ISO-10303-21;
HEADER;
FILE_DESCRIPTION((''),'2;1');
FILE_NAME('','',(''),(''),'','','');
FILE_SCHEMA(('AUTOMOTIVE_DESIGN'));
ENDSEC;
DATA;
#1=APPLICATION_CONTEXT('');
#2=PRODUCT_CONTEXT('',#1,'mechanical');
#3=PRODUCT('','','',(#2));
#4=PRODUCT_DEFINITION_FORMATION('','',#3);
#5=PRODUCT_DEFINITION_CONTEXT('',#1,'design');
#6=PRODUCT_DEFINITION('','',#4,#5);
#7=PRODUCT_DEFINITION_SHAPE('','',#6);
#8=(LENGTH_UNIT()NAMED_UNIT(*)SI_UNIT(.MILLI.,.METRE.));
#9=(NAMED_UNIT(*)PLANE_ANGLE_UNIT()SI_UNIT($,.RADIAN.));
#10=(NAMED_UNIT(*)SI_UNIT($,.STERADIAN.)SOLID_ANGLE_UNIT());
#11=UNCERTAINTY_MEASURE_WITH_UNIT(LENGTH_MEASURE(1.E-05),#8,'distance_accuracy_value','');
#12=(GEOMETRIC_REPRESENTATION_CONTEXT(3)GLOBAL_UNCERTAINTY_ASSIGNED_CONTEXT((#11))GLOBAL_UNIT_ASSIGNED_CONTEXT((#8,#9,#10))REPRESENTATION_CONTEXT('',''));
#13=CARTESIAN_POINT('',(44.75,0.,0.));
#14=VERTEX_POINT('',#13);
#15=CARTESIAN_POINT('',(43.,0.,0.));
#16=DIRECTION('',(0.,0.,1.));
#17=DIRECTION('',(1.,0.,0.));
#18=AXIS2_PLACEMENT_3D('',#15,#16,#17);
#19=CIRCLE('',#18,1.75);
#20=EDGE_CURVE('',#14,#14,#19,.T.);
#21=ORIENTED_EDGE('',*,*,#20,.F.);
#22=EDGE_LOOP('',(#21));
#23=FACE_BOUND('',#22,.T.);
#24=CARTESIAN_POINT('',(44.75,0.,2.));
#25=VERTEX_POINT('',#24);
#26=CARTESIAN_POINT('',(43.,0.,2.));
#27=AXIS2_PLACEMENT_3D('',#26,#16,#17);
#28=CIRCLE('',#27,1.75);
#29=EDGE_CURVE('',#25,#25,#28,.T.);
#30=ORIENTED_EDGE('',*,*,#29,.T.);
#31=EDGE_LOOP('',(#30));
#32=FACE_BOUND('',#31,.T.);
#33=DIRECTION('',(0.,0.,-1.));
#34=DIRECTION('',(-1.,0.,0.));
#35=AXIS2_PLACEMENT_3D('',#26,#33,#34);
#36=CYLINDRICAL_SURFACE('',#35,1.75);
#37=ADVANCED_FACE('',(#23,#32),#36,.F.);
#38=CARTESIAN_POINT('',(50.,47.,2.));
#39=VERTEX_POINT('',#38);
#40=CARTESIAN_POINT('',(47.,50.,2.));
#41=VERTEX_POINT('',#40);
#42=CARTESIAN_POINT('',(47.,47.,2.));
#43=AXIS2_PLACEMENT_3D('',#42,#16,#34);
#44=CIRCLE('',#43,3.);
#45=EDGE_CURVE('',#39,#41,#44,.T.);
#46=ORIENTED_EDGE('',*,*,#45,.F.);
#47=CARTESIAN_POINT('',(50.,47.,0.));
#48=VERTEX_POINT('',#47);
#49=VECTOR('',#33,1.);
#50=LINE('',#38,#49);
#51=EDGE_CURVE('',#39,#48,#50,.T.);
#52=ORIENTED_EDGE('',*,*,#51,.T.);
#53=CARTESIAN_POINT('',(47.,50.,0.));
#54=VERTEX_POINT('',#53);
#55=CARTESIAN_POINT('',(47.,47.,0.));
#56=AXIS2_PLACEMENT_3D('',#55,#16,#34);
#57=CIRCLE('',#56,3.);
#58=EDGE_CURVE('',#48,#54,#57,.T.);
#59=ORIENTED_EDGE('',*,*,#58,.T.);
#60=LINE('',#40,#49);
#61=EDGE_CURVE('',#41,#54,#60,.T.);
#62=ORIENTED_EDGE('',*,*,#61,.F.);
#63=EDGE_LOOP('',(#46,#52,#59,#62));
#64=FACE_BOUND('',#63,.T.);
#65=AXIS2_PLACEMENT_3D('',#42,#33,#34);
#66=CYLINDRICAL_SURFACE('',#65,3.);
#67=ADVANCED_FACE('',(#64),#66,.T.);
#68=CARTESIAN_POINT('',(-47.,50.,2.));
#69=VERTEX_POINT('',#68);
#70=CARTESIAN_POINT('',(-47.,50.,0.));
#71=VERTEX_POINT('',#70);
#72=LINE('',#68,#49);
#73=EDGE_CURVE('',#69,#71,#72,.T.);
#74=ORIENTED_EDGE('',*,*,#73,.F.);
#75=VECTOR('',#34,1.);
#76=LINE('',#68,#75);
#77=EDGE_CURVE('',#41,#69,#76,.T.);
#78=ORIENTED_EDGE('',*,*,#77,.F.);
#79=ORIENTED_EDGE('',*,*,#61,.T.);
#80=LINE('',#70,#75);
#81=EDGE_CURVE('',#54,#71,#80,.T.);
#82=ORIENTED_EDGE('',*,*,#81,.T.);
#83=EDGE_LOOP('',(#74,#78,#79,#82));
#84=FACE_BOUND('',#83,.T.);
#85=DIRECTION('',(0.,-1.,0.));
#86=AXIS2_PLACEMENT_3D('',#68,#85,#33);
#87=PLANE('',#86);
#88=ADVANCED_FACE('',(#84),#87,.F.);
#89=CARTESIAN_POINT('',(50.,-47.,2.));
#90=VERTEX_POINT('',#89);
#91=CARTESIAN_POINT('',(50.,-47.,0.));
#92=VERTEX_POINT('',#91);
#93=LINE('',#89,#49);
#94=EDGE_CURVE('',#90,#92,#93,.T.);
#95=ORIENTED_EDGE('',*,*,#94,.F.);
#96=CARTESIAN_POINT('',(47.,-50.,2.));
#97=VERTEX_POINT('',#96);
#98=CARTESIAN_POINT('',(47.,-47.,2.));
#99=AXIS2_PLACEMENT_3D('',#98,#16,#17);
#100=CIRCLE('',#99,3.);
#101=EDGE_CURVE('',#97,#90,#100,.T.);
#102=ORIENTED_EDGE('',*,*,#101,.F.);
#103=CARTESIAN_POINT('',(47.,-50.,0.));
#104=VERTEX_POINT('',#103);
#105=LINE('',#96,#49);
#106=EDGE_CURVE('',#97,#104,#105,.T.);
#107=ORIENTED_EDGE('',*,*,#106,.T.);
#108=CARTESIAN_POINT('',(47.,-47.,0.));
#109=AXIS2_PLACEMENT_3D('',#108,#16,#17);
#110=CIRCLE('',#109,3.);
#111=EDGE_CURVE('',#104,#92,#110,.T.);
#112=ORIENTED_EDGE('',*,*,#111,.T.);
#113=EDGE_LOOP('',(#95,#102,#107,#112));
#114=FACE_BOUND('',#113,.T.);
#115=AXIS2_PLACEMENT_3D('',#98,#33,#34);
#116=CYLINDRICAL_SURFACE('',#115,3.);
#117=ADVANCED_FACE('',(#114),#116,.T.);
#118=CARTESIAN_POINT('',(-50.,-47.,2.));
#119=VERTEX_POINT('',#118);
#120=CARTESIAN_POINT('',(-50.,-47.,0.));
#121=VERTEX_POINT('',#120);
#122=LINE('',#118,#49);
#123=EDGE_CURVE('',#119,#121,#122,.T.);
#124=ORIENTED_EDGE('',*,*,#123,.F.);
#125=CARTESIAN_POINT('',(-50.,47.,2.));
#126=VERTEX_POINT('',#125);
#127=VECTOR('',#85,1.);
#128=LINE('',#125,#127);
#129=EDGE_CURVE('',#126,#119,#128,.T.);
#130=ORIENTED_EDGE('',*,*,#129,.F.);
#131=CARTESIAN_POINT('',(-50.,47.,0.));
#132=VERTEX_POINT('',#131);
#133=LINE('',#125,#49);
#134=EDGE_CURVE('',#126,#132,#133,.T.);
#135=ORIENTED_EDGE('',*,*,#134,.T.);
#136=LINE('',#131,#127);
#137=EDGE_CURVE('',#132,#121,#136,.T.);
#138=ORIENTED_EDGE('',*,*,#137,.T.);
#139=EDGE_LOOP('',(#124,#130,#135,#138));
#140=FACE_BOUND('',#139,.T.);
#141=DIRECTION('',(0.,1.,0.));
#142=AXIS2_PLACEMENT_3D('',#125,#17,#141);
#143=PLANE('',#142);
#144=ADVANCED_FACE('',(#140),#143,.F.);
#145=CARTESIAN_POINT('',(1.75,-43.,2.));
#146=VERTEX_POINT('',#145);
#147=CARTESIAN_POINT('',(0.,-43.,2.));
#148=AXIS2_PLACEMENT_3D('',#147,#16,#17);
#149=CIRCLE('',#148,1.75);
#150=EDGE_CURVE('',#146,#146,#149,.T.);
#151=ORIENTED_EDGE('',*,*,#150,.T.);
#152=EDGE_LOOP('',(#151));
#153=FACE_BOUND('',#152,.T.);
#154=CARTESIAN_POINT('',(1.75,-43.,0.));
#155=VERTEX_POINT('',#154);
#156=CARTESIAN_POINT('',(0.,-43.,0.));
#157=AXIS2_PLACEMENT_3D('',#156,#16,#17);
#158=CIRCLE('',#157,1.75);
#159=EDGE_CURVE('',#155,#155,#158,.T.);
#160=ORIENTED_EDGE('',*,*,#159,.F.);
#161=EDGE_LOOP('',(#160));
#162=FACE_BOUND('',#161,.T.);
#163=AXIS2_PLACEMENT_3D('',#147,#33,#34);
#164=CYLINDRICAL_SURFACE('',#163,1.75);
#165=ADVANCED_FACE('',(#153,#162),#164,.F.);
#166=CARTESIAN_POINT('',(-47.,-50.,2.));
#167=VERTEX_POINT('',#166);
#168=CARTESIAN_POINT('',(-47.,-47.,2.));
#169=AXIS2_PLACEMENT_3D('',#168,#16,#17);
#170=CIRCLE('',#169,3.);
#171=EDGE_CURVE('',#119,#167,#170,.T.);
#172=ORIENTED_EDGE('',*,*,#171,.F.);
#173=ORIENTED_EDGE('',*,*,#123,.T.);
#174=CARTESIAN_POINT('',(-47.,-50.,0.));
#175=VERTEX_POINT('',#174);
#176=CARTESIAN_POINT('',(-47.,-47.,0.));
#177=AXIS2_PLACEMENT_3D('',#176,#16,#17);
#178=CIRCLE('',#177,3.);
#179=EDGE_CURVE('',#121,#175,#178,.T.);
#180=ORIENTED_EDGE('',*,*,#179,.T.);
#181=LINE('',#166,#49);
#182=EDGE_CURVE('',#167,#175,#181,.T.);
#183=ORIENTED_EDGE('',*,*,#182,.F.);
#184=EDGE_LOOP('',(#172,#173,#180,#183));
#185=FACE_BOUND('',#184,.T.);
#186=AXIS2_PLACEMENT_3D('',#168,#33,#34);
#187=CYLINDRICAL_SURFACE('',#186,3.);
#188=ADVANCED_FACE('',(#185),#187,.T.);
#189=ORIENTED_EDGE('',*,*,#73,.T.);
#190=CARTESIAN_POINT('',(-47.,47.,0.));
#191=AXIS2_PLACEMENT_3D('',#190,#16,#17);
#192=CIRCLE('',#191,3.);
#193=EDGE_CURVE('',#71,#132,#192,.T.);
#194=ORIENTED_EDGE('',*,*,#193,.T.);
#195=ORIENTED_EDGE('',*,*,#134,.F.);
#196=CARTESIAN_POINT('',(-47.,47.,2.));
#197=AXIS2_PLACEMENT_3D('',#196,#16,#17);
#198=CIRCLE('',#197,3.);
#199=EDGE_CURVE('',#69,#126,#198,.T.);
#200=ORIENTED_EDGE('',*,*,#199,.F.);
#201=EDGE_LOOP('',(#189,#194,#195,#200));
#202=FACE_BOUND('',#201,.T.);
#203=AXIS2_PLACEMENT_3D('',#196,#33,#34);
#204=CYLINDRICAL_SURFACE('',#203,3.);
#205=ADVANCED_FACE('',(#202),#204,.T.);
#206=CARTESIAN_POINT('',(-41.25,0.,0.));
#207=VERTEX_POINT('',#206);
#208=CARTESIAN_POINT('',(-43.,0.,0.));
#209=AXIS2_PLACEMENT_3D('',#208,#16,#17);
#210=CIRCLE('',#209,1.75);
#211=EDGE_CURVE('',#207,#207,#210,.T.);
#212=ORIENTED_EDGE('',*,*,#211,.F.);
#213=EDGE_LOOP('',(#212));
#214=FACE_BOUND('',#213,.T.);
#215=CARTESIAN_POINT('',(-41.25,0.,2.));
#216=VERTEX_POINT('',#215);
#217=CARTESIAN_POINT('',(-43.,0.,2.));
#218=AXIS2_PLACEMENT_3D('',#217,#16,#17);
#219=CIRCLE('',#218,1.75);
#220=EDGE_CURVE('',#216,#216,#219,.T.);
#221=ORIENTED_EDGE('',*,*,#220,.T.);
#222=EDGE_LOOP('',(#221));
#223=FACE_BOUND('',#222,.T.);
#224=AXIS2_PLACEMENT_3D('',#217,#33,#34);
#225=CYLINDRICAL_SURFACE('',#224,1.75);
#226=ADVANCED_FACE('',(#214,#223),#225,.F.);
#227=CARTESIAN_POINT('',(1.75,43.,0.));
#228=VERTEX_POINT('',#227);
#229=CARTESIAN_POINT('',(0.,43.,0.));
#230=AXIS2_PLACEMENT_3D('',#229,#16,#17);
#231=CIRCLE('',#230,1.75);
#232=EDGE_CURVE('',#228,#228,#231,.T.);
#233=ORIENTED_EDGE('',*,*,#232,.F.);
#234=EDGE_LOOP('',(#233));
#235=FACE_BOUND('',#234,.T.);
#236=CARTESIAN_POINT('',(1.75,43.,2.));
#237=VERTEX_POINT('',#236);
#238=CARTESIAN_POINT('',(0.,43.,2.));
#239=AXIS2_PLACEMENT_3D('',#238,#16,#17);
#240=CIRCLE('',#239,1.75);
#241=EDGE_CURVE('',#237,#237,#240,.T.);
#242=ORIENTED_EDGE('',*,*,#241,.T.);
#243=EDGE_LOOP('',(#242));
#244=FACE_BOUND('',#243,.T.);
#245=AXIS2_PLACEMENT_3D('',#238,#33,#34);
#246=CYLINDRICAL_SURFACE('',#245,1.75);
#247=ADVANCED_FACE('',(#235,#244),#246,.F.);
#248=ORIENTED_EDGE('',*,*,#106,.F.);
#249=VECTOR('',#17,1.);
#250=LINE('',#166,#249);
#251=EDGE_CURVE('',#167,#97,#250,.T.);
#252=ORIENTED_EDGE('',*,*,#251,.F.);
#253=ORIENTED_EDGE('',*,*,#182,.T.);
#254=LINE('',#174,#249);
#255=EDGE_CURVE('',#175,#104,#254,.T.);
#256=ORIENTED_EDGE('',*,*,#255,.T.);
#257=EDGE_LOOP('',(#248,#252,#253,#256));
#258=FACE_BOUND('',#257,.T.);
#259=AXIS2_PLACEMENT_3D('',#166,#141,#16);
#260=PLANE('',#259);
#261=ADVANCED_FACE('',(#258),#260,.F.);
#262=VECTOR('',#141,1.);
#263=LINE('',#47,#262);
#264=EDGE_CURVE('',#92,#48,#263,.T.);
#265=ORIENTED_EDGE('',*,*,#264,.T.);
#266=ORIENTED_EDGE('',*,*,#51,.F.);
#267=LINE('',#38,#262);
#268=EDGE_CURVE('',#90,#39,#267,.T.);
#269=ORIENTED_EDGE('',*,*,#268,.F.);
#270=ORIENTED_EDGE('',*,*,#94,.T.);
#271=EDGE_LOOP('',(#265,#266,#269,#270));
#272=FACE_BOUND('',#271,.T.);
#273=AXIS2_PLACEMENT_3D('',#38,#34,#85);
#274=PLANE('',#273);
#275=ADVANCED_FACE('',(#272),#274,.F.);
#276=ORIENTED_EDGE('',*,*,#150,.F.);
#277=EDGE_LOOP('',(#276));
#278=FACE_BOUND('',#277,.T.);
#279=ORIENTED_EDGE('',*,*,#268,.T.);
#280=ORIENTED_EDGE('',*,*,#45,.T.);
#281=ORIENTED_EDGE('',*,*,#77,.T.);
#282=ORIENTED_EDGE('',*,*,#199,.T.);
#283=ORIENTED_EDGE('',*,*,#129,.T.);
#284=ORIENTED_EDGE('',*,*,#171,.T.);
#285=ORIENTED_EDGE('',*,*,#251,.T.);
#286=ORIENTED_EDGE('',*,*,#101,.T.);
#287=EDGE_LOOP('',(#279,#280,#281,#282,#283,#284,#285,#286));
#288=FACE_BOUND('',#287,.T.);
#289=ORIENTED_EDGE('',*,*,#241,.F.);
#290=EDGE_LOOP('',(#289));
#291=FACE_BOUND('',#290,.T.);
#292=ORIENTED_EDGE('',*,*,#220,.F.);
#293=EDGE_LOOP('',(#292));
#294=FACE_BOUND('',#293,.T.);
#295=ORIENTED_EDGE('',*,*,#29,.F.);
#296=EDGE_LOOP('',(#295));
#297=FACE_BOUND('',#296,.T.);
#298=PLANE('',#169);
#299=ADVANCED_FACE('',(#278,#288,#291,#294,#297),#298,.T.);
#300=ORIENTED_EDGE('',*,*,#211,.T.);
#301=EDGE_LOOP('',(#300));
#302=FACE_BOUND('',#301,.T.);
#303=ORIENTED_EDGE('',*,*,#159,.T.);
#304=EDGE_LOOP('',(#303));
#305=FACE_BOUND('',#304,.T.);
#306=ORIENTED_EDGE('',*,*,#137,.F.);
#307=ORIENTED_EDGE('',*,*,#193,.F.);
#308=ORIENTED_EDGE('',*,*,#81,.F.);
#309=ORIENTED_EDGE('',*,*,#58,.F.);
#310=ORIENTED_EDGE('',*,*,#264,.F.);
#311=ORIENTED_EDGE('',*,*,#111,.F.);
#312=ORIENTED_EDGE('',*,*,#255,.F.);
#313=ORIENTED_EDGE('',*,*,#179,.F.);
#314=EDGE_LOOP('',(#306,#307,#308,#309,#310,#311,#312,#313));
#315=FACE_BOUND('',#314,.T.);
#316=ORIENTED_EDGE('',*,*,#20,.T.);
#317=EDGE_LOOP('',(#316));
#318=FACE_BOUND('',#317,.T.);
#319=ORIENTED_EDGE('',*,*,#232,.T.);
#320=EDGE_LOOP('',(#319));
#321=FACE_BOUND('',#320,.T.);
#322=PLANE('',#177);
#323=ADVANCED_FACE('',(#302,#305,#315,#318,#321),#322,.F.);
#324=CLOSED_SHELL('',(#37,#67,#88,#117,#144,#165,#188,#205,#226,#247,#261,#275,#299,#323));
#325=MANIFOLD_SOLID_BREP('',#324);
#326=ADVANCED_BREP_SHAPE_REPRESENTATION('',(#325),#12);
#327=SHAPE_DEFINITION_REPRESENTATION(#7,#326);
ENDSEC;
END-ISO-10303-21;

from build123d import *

# Parameters (mm, degrees)
ESBO_O1_R                = 1.75
RESSALTO_EXTRUS_O1_DEPTH = 2


with BuildPart() as part:
    # Esboço1 → Ressalto-extrusão1 (new body)
    with BuildSketch(Plane.XY):
        with BuildLine():
            Line((-47, 50), (47, 50))
            ThreePointArc((47, 50), (49.121320344, 49.121320344), (50, 47))
            Line((50, 47), (50, -47))
            ThreePointArc((50, -47), (49.121320344, -49.121320344), (47, -50))
            Line((47, -50), (-47, -50))
            ThreePointArc((-47, -50), (-49.121320344, -49.121320344), (-50, -47))
            Line((-50, -47), (-50, 47))
            ThreePointArc((-50, 47), (-49.121320344, 49.121320344), (-47, 50))
        make_face()
        with Locations((-43, 0)):
            Circle(ESBO_O1_R, mode=Mode.SUBTRACT)
        with Locations((0, 43)):
            Circle(ESBO_O1_R, mode=Mode.SUBTRACT)
        with Locations((43, 0)):
            Circle(ESBO_O1_R, mode=Mode.SUBTRACT)
        with Locations((0, -43)):
            Circle(ESBO_O1_R, mode=Mode.SUBTRACT)
    extrude(amount=RESSALTO_EXTRUS_O1_DEPTH)


solid = part.part
